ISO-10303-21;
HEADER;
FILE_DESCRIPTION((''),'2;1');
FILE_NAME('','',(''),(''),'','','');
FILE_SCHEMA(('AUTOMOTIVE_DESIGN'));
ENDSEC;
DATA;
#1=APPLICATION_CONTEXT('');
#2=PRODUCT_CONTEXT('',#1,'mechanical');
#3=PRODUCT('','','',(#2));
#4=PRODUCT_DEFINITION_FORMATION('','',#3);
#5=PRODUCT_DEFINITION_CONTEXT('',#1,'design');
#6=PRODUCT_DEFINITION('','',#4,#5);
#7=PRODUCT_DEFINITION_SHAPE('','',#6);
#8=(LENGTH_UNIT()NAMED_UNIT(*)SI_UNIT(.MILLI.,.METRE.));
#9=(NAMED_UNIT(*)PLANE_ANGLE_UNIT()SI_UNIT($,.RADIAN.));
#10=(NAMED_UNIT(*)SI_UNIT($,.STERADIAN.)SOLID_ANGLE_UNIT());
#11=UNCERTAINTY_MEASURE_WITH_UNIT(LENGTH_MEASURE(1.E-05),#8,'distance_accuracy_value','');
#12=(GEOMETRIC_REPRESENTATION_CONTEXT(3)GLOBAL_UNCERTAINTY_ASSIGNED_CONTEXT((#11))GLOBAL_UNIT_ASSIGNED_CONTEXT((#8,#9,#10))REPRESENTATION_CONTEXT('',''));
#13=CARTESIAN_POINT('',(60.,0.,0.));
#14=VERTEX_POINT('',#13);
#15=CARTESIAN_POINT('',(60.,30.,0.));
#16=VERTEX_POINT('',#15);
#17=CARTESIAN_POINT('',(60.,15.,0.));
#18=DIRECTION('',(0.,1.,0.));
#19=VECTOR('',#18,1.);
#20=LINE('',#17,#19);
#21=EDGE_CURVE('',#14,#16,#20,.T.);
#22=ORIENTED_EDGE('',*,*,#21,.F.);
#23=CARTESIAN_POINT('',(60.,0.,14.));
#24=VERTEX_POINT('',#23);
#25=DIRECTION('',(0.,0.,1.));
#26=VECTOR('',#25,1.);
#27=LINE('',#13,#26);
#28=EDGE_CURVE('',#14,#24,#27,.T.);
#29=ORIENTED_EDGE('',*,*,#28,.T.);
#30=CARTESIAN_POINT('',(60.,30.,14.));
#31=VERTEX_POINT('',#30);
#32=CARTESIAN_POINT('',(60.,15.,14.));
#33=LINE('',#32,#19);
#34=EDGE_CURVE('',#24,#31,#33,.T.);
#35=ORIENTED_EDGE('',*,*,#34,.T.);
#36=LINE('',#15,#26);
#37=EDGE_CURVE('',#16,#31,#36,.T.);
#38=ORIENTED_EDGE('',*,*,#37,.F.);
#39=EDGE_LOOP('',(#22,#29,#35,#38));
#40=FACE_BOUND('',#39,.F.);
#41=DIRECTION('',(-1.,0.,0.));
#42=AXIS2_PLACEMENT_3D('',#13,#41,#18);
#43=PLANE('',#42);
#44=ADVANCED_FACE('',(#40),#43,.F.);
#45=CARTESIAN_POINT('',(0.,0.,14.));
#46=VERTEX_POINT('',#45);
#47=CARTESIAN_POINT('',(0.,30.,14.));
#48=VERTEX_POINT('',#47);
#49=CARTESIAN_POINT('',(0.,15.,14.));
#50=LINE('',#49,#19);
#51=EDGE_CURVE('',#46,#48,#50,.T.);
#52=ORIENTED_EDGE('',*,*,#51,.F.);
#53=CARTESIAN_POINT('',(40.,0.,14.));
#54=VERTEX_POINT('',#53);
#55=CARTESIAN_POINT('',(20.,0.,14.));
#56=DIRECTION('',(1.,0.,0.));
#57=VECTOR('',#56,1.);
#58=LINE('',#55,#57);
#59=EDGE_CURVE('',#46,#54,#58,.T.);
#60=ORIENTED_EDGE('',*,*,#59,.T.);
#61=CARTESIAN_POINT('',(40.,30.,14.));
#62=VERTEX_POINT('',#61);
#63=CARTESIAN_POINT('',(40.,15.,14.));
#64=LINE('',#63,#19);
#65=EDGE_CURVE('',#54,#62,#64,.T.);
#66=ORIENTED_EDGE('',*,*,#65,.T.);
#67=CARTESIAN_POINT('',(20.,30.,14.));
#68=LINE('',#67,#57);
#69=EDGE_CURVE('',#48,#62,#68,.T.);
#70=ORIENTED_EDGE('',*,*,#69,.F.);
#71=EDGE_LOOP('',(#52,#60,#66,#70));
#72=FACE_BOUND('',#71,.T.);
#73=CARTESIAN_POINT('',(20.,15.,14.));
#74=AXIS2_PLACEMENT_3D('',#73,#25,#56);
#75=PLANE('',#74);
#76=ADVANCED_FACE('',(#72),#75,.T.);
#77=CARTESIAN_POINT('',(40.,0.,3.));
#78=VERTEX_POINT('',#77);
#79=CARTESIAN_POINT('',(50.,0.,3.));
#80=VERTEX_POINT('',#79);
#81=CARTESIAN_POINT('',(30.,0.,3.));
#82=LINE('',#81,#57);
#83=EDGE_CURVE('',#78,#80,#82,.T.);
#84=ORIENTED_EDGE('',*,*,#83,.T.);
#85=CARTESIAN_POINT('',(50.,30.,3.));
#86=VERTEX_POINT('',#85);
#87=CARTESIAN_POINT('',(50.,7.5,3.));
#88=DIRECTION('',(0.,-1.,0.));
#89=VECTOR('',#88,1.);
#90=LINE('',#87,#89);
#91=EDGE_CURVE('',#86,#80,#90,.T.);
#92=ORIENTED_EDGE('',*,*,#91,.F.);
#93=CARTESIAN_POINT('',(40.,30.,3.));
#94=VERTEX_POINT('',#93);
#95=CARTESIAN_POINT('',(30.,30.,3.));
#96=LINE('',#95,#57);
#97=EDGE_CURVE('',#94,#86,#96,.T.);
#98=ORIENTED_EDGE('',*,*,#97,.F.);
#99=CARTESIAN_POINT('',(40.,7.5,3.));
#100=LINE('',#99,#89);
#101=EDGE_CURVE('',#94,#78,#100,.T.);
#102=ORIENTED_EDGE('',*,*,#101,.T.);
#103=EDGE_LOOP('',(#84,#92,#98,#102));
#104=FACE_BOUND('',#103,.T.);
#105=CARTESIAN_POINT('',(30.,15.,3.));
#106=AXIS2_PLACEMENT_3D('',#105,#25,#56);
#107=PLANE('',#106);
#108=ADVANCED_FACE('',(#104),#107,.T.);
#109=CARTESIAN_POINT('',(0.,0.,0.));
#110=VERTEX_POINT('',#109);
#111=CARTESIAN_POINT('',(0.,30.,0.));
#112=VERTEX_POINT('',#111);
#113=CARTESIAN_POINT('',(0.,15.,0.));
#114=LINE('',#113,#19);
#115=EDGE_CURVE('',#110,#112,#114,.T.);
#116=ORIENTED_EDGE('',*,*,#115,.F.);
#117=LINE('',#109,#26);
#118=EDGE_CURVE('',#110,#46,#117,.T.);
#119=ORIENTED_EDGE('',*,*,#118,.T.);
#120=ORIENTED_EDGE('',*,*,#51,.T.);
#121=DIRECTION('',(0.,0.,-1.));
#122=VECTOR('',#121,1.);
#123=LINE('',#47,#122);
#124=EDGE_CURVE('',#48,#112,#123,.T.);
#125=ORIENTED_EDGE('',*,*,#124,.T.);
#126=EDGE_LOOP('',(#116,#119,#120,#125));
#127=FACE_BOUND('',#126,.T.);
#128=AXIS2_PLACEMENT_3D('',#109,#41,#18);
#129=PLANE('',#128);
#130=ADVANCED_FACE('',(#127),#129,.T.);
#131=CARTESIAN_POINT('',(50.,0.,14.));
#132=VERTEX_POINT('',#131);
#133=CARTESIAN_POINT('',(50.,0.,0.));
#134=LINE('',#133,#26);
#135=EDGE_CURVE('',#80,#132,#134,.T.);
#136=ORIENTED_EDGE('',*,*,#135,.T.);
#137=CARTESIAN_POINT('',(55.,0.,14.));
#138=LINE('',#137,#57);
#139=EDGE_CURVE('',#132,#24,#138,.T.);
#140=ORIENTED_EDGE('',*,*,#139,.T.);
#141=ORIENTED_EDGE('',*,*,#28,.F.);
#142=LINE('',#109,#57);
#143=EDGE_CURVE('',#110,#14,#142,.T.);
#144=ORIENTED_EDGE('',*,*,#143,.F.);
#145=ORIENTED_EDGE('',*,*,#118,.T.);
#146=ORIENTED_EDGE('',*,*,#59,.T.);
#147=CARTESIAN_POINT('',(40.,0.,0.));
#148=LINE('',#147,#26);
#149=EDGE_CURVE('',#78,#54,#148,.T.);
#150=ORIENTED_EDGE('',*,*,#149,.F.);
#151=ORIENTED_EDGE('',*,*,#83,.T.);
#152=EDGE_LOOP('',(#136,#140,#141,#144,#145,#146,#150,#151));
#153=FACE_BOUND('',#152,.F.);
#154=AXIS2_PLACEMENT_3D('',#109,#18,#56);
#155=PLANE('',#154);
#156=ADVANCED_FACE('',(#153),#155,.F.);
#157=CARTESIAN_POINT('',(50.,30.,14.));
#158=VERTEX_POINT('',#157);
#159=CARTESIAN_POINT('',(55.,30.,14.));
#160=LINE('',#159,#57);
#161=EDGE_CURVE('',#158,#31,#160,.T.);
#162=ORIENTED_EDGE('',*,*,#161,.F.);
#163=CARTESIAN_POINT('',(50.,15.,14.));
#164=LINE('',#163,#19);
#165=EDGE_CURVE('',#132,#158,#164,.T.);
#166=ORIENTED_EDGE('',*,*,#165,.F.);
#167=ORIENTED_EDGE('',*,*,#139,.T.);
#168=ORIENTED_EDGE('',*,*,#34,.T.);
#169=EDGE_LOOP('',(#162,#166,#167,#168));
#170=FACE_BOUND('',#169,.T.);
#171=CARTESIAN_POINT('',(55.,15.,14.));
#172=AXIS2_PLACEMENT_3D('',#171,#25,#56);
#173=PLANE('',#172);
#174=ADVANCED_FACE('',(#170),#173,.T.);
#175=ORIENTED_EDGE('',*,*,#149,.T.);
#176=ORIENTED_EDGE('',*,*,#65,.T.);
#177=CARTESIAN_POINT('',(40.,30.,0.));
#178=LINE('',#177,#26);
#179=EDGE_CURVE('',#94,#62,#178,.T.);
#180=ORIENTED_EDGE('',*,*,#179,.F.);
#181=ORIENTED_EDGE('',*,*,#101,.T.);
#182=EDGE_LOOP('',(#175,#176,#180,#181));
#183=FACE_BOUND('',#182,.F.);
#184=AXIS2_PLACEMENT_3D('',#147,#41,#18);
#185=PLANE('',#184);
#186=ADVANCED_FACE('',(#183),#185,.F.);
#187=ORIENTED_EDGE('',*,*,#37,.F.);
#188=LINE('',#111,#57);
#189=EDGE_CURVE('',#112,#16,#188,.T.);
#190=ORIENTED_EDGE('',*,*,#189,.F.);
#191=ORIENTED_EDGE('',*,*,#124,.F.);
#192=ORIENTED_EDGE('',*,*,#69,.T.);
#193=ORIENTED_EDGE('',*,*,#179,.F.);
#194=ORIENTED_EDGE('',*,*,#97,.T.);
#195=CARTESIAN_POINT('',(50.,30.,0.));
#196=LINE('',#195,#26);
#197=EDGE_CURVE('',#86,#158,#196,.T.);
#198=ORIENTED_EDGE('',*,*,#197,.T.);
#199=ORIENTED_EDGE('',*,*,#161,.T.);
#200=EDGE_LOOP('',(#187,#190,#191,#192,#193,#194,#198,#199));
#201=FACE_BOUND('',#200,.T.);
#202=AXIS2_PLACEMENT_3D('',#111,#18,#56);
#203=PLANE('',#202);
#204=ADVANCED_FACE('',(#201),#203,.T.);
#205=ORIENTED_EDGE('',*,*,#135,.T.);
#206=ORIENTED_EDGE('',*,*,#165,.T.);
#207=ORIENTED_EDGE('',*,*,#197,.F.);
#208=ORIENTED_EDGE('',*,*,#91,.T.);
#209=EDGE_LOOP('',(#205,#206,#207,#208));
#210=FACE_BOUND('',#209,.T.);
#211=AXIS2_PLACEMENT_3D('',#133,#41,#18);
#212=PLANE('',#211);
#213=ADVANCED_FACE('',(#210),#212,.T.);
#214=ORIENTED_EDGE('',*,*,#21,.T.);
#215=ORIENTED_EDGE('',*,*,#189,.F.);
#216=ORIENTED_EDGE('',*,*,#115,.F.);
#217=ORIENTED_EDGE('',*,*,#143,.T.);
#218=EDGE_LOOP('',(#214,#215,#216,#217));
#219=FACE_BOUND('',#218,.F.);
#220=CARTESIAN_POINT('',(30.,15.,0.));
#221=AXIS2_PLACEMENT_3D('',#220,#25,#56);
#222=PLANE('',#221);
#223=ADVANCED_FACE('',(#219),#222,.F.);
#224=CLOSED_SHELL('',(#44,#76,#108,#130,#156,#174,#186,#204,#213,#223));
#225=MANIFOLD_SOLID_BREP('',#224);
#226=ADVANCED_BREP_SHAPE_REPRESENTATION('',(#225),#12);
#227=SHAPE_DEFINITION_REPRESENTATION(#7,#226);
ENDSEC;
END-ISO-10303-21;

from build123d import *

# Parameters (mm, degrees)
BOX001_W     = 40
BOX001_H     = 30
BOX001_DEPTH = 14
BOX002_W     = 10
BOX002_H     = 30
BOX002_DEPTH = 14
BOX_W        = 60
BOX_H        = 30
BOX_DEPTH    = 3


with BuildPart() as cubo001:
    # Box001 → Box001 (new body)
    with BuildSketch(Plane.XY):
        with Locations((20, 15)):
            Rectangle(BOX001_W, BOX001_H)
    extrude(amount=BOX001_DEPTH)


with BuildPart() as cubo002:
    # Box002 → Box002 (new body)
    with BuildSketch(Plane(origin=(50, 0, 0), x_dir=(1, 0, 0), z_dir=(0, 0, 1))):
        with Locations((5, 15)):
            Rectangle(BOX002_W, BOX002_H)
    extrude(amount=BOX002_DEPTH)


with BuildPart() as fusion:
    # Box → Box (new body)
    with BuildSketch(Plane.XY):
        with Locations((30, 15)):
            Rectangle(BOX_W, BOX_H)
    extrude(amount=BOX_DEPTH)

    # Fusion: union Cubo001, Cubo002
    add(cubo001.part)
    add(cubo002.part)


solid = fusion.part
